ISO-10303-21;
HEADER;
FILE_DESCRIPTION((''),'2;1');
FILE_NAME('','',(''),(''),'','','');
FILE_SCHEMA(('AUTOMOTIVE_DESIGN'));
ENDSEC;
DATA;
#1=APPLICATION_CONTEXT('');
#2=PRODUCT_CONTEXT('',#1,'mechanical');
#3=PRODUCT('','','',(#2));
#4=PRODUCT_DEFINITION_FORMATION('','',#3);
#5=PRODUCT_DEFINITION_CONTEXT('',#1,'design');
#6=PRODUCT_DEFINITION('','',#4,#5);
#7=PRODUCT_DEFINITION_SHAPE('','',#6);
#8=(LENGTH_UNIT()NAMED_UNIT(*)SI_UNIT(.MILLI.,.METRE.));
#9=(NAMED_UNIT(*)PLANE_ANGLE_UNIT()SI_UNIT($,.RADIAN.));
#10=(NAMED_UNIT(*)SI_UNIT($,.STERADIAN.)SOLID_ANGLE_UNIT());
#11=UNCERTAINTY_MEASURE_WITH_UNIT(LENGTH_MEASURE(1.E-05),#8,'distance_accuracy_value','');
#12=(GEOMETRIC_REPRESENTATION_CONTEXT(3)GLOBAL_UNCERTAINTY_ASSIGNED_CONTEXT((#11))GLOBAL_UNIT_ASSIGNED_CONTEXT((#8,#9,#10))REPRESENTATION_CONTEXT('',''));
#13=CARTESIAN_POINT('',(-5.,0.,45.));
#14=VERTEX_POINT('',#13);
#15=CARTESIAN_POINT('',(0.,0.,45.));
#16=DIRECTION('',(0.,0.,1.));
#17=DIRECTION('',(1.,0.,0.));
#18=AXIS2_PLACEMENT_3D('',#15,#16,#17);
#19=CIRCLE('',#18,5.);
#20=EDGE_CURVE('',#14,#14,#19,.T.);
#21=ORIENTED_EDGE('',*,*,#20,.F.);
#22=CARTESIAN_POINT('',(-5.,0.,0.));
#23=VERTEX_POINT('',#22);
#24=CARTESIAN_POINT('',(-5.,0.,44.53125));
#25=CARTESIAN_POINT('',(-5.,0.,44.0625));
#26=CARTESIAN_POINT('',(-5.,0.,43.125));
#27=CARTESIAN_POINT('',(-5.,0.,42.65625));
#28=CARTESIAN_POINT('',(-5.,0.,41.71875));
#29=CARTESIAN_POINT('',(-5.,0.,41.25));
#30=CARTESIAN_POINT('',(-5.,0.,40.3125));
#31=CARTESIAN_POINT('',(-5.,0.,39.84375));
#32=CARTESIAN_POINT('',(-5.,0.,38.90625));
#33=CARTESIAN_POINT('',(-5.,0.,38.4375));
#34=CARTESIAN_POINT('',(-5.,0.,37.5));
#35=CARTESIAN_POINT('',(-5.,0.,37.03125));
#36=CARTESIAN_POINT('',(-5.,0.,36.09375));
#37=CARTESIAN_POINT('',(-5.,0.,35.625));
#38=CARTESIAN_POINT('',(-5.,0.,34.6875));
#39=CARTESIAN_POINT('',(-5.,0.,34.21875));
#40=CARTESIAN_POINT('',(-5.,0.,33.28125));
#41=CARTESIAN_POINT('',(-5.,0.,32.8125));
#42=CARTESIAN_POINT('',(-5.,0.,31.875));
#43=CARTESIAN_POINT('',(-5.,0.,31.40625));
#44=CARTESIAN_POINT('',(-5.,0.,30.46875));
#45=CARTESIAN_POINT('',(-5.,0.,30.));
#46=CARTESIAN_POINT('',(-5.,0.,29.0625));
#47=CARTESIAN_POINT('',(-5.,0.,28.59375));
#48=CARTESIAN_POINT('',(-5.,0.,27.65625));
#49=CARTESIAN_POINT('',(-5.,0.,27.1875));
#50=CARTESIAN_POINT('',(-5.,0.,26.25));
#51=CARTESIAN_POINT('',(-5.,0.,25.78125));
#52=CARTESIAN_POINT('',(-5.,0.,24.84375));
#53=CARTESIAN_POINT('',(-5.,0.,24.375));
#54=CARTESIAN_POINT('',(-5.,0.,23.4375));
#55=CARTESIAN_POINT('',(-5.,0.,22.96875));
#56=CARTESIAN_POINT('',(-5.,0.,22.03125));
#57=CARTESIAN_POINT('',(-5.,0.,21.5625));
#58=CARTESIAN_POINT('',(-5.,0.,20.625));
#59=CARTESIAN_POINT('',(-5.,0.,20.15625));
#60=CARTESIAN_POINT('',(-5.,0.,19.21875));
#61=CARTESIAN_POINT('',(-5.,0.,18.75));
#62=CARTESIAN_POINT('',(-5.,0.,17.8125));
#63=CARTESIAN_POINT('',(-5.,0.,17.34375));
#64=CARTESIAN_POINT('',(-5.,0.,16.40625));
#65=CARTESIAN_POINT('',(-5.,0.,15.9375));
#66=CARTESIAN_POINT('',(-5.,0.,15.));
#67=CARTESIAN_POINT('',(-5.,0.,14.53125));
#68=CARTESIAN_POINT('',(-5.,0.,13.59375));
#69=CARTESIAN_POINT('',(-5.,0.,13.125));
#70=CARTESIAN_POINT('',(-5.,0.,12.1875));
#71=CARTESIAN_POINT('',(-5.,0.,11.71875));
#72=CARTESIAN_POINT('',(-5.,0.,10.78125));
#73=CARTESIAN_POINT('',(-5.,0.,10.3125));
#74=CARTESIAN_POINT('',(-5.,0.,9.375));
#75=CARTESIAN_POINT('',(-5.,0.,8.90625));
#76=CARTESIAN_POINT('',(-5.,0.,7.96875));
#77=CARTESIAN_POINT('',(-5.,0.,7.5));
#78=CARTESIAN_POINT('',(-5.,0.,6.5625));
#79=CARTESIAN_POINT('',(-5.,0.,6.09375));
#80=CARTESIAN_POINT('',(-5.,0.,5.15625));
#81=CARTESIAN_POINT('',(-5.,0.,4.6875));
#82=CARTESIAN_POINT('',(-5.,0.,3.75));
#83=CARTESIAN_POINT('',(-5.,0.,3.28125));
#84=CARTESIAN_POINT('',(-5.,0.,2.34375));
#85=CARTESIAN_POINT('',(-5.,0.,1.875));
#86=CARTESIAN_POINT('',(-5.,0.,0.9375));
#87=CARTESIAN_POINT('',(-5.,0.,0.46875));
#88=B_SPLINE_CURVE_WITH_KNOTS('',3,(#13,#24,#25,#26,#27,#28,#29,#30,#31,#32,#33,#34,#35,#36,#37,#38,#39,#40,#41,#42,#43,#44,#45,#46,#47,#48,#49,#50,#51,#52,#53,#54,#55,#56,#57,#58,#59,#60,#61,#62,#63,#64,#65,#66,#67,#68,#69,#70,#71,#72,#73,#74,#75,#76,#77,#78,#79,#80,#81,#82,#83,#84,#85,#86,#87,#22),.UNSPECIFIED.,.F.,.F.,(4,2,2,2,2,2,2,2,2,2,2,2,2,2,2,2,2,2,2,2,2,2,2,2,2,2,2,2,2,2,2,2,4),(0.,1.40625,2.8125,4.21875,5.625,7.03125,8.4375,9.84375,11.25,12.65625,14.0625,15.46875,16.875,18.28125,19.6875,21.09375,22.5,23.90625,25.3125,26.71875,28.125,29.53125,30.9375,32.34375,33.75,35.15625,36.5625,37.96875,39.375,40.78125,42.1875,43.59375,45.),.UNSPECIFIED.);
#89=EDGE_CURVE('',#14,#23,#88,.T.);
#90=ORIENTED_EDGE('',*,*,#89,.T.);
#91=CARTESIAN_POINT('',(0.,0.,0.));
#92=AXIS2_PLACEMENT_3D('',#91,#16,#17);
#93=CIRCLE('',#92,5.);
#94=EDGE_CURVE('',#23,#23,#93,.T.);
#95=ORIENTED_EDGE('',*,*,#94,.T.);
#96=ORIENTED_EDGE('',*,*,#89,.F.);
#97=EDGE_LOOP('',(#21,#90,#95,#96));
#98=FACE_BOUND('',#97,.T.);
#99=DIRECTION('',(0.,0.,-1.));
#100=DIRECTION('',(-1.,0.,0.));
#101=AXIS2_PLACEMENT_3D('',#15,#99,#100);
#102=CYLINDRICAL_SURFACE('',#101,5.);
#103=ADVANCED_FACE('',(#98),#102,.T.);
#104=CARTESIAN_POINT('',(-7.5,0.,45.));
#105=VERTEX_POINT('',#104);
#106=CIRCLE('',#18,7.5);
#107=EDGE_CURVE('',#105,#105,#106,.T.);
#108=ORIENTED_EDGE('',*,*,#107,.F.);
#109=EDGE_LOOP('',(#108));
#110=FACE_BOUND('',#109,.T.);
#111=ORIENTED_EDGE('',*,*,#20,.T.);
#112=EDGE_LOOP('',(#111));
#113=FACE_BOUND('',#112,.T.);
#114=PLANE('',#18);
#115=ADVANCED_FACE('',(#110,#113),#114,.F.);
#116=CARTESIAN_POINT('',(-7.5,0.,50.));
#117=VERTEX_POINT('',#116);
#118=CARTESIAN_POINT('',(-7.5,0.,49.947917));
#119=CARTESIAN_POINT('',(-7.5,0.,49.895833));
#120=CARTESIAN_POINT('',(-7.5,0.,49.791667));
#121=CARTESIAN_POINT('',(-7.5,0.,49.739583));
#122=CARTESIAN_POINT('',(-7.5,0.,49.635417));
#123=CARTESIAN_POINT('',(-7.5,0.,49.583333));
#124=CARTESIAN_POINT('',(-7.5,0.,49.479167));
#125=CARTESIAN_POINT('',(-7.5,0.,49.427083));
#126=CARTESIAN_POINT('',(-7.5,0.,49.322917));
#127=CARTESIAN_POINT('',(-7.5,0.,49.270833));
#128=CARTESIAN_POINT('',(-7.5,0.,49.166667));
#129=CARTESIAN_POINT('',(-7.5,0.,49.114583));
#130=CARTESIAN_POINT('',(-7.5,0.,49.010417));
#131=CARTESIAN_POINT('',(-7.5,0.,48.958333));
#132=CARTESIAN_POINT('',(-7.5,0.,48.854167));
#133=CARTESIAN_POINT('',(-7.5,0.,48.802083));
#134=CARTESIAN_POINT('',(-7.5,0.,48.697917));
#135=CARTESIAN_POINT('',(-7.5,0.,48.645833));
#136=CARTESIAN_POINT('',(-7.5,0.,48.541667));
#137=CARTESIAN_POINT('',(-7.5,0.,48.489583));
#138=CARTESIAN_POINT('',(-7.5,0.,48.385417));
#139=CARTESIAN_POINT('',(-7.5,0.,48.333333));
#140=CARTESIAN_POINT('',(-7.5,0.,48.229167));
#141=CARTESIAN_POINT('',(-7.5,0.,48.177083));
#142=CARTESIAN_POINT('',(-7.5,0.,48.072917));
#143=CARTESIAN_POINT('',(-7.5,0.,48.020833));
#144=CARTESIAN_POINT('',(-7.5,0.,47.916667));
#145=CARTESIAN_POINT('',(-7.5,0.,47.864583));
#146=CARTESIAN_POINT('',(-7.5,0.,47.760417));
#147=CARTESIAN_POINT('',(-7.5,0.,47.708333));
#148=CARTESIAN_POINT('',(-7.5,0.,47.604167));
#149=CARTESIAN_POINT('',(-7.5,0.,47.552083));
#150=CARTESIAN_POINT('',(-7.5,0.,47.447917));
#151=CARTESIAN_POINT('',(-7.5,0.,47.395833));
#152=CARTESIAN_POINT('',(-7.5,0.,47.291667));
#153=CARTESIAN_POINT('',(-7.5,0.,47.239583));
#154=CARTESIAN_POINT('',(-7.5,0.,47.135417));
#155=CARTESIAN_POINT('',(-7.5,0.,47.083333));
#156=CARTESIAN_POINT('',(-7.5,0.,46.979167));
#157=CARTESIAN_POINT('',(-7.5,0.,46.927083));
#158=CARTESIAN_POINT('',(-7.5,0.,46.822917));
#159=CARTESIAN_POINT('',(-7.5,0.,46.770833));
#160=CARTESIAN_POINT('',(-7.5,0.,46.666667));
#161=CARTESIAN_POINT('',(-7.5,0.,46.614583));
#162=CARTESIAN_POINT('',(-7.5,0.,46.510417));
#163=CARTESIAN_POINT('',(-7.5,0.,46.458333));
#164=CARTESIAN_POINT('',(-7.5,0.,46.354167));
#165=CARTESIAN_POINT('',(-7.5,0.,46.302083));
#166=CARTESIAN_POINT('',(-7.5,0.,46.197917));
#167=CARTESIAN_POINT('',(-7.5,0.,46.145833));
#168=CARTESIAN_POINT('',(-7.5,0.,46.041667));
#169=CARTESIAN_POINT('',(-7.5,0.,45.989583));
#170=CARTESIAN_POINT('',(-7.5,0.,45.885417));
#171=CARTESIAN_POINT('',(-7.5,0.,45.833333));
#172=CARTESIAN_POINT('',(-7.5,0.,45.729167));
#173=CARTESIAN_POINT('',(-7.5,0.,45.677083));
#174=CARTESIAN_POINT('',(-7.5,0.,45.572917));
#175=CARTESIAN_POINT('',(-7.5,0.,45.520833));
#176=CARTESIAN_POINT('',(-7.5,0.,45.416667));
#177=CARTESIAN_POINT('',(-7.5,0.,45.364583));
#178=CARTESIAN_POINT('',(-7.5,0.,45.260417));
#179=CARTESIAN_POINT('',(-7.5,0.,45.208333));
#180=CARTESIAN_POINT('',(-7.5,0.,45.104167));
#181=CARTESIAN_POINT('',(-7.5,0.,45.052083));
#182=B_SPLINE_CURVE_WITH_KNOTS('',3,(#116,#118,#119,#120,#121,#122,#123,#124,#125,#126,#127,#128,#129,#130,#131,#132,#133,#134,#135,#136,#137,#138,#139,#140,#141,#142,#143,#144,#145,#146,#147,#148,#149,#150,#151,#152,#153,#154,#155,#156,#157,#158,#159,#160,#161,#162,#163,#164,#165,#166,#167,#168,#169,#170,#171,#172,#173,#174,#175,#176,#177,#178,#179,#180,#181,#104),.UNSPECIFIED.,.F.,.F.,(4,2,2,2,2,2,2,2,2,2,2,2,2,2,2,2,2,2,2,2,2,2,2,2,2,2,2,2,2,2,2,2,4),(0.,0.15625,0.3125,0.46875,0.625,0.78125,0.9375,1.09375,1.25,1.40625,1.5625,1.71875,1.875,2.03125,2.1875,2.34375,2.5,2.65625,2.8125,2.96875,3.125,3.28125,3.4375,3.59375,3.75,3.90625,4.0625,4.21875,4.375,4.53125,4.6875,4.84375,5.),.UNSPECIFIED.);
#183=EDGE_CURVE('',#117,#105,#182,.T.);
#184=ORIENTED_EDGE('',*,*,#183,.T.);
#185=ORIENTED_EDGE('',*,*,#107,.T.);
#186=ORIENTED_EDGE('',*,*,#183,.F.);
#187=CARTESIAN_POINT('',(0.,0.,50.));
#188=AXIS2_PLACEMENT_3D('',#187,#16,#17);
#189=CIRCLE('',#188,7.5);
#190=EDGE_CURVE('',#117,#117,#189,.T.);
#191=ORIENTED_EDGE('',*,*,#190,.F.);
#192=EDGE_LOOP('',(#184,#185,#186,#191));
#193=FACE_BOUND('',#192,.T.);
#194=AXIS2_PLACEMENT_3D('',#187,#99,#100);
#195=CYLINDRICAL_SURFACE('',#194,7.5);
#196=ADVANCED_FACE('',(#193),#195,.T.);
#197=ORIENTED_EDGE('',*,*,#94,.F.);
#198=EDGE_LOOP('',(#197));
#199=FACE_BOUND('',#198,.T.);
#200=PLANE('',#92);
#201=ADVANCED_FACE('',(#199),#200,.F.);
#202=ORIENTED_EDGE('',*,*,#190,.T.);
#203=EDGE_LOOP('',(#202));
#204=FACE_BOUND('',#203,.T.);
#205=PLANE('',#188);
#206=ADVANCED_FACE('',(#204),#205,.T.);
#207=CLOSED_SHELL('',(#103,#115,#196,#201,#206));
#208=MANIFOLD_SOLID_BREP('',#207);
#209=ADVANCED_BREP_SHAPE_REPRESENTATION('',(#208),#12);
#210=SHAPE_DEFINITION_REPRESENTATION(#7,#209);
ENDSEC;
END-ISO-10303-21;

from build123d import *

# Parameters (mm, degrees)
SKICA1_R                = 5
P_IDAT_VYSUNUT_M1_DEPTH = 45
SKICA2_R                = 7.5
P_IDAT_VYSUNUT_M2_DEPTH = 5


with BuildPart() as part:
    # Skica1 → Přidat vysunutím1 (new body)
    with BuildSketch(Plane.XY):
        with Locations(Location((0, 0, 0), (0, 0, 180))):
            Circle(SKICA1_R)
    extrude(amount=P_IDAT_VYSUNUT_M1_DEPTH)

    # Skica2 → Přidat vysunutím2 (add)
    with BuildSketch(Plane.XY.offset(45)):
        with Locations(Location((0, 0, 0), (0, 0, 180))):
            Circle(SKICA2_R)
    extrude(amount=P_IDAT_VYSUNUT_M2_DEPTH)


solid = part.part
